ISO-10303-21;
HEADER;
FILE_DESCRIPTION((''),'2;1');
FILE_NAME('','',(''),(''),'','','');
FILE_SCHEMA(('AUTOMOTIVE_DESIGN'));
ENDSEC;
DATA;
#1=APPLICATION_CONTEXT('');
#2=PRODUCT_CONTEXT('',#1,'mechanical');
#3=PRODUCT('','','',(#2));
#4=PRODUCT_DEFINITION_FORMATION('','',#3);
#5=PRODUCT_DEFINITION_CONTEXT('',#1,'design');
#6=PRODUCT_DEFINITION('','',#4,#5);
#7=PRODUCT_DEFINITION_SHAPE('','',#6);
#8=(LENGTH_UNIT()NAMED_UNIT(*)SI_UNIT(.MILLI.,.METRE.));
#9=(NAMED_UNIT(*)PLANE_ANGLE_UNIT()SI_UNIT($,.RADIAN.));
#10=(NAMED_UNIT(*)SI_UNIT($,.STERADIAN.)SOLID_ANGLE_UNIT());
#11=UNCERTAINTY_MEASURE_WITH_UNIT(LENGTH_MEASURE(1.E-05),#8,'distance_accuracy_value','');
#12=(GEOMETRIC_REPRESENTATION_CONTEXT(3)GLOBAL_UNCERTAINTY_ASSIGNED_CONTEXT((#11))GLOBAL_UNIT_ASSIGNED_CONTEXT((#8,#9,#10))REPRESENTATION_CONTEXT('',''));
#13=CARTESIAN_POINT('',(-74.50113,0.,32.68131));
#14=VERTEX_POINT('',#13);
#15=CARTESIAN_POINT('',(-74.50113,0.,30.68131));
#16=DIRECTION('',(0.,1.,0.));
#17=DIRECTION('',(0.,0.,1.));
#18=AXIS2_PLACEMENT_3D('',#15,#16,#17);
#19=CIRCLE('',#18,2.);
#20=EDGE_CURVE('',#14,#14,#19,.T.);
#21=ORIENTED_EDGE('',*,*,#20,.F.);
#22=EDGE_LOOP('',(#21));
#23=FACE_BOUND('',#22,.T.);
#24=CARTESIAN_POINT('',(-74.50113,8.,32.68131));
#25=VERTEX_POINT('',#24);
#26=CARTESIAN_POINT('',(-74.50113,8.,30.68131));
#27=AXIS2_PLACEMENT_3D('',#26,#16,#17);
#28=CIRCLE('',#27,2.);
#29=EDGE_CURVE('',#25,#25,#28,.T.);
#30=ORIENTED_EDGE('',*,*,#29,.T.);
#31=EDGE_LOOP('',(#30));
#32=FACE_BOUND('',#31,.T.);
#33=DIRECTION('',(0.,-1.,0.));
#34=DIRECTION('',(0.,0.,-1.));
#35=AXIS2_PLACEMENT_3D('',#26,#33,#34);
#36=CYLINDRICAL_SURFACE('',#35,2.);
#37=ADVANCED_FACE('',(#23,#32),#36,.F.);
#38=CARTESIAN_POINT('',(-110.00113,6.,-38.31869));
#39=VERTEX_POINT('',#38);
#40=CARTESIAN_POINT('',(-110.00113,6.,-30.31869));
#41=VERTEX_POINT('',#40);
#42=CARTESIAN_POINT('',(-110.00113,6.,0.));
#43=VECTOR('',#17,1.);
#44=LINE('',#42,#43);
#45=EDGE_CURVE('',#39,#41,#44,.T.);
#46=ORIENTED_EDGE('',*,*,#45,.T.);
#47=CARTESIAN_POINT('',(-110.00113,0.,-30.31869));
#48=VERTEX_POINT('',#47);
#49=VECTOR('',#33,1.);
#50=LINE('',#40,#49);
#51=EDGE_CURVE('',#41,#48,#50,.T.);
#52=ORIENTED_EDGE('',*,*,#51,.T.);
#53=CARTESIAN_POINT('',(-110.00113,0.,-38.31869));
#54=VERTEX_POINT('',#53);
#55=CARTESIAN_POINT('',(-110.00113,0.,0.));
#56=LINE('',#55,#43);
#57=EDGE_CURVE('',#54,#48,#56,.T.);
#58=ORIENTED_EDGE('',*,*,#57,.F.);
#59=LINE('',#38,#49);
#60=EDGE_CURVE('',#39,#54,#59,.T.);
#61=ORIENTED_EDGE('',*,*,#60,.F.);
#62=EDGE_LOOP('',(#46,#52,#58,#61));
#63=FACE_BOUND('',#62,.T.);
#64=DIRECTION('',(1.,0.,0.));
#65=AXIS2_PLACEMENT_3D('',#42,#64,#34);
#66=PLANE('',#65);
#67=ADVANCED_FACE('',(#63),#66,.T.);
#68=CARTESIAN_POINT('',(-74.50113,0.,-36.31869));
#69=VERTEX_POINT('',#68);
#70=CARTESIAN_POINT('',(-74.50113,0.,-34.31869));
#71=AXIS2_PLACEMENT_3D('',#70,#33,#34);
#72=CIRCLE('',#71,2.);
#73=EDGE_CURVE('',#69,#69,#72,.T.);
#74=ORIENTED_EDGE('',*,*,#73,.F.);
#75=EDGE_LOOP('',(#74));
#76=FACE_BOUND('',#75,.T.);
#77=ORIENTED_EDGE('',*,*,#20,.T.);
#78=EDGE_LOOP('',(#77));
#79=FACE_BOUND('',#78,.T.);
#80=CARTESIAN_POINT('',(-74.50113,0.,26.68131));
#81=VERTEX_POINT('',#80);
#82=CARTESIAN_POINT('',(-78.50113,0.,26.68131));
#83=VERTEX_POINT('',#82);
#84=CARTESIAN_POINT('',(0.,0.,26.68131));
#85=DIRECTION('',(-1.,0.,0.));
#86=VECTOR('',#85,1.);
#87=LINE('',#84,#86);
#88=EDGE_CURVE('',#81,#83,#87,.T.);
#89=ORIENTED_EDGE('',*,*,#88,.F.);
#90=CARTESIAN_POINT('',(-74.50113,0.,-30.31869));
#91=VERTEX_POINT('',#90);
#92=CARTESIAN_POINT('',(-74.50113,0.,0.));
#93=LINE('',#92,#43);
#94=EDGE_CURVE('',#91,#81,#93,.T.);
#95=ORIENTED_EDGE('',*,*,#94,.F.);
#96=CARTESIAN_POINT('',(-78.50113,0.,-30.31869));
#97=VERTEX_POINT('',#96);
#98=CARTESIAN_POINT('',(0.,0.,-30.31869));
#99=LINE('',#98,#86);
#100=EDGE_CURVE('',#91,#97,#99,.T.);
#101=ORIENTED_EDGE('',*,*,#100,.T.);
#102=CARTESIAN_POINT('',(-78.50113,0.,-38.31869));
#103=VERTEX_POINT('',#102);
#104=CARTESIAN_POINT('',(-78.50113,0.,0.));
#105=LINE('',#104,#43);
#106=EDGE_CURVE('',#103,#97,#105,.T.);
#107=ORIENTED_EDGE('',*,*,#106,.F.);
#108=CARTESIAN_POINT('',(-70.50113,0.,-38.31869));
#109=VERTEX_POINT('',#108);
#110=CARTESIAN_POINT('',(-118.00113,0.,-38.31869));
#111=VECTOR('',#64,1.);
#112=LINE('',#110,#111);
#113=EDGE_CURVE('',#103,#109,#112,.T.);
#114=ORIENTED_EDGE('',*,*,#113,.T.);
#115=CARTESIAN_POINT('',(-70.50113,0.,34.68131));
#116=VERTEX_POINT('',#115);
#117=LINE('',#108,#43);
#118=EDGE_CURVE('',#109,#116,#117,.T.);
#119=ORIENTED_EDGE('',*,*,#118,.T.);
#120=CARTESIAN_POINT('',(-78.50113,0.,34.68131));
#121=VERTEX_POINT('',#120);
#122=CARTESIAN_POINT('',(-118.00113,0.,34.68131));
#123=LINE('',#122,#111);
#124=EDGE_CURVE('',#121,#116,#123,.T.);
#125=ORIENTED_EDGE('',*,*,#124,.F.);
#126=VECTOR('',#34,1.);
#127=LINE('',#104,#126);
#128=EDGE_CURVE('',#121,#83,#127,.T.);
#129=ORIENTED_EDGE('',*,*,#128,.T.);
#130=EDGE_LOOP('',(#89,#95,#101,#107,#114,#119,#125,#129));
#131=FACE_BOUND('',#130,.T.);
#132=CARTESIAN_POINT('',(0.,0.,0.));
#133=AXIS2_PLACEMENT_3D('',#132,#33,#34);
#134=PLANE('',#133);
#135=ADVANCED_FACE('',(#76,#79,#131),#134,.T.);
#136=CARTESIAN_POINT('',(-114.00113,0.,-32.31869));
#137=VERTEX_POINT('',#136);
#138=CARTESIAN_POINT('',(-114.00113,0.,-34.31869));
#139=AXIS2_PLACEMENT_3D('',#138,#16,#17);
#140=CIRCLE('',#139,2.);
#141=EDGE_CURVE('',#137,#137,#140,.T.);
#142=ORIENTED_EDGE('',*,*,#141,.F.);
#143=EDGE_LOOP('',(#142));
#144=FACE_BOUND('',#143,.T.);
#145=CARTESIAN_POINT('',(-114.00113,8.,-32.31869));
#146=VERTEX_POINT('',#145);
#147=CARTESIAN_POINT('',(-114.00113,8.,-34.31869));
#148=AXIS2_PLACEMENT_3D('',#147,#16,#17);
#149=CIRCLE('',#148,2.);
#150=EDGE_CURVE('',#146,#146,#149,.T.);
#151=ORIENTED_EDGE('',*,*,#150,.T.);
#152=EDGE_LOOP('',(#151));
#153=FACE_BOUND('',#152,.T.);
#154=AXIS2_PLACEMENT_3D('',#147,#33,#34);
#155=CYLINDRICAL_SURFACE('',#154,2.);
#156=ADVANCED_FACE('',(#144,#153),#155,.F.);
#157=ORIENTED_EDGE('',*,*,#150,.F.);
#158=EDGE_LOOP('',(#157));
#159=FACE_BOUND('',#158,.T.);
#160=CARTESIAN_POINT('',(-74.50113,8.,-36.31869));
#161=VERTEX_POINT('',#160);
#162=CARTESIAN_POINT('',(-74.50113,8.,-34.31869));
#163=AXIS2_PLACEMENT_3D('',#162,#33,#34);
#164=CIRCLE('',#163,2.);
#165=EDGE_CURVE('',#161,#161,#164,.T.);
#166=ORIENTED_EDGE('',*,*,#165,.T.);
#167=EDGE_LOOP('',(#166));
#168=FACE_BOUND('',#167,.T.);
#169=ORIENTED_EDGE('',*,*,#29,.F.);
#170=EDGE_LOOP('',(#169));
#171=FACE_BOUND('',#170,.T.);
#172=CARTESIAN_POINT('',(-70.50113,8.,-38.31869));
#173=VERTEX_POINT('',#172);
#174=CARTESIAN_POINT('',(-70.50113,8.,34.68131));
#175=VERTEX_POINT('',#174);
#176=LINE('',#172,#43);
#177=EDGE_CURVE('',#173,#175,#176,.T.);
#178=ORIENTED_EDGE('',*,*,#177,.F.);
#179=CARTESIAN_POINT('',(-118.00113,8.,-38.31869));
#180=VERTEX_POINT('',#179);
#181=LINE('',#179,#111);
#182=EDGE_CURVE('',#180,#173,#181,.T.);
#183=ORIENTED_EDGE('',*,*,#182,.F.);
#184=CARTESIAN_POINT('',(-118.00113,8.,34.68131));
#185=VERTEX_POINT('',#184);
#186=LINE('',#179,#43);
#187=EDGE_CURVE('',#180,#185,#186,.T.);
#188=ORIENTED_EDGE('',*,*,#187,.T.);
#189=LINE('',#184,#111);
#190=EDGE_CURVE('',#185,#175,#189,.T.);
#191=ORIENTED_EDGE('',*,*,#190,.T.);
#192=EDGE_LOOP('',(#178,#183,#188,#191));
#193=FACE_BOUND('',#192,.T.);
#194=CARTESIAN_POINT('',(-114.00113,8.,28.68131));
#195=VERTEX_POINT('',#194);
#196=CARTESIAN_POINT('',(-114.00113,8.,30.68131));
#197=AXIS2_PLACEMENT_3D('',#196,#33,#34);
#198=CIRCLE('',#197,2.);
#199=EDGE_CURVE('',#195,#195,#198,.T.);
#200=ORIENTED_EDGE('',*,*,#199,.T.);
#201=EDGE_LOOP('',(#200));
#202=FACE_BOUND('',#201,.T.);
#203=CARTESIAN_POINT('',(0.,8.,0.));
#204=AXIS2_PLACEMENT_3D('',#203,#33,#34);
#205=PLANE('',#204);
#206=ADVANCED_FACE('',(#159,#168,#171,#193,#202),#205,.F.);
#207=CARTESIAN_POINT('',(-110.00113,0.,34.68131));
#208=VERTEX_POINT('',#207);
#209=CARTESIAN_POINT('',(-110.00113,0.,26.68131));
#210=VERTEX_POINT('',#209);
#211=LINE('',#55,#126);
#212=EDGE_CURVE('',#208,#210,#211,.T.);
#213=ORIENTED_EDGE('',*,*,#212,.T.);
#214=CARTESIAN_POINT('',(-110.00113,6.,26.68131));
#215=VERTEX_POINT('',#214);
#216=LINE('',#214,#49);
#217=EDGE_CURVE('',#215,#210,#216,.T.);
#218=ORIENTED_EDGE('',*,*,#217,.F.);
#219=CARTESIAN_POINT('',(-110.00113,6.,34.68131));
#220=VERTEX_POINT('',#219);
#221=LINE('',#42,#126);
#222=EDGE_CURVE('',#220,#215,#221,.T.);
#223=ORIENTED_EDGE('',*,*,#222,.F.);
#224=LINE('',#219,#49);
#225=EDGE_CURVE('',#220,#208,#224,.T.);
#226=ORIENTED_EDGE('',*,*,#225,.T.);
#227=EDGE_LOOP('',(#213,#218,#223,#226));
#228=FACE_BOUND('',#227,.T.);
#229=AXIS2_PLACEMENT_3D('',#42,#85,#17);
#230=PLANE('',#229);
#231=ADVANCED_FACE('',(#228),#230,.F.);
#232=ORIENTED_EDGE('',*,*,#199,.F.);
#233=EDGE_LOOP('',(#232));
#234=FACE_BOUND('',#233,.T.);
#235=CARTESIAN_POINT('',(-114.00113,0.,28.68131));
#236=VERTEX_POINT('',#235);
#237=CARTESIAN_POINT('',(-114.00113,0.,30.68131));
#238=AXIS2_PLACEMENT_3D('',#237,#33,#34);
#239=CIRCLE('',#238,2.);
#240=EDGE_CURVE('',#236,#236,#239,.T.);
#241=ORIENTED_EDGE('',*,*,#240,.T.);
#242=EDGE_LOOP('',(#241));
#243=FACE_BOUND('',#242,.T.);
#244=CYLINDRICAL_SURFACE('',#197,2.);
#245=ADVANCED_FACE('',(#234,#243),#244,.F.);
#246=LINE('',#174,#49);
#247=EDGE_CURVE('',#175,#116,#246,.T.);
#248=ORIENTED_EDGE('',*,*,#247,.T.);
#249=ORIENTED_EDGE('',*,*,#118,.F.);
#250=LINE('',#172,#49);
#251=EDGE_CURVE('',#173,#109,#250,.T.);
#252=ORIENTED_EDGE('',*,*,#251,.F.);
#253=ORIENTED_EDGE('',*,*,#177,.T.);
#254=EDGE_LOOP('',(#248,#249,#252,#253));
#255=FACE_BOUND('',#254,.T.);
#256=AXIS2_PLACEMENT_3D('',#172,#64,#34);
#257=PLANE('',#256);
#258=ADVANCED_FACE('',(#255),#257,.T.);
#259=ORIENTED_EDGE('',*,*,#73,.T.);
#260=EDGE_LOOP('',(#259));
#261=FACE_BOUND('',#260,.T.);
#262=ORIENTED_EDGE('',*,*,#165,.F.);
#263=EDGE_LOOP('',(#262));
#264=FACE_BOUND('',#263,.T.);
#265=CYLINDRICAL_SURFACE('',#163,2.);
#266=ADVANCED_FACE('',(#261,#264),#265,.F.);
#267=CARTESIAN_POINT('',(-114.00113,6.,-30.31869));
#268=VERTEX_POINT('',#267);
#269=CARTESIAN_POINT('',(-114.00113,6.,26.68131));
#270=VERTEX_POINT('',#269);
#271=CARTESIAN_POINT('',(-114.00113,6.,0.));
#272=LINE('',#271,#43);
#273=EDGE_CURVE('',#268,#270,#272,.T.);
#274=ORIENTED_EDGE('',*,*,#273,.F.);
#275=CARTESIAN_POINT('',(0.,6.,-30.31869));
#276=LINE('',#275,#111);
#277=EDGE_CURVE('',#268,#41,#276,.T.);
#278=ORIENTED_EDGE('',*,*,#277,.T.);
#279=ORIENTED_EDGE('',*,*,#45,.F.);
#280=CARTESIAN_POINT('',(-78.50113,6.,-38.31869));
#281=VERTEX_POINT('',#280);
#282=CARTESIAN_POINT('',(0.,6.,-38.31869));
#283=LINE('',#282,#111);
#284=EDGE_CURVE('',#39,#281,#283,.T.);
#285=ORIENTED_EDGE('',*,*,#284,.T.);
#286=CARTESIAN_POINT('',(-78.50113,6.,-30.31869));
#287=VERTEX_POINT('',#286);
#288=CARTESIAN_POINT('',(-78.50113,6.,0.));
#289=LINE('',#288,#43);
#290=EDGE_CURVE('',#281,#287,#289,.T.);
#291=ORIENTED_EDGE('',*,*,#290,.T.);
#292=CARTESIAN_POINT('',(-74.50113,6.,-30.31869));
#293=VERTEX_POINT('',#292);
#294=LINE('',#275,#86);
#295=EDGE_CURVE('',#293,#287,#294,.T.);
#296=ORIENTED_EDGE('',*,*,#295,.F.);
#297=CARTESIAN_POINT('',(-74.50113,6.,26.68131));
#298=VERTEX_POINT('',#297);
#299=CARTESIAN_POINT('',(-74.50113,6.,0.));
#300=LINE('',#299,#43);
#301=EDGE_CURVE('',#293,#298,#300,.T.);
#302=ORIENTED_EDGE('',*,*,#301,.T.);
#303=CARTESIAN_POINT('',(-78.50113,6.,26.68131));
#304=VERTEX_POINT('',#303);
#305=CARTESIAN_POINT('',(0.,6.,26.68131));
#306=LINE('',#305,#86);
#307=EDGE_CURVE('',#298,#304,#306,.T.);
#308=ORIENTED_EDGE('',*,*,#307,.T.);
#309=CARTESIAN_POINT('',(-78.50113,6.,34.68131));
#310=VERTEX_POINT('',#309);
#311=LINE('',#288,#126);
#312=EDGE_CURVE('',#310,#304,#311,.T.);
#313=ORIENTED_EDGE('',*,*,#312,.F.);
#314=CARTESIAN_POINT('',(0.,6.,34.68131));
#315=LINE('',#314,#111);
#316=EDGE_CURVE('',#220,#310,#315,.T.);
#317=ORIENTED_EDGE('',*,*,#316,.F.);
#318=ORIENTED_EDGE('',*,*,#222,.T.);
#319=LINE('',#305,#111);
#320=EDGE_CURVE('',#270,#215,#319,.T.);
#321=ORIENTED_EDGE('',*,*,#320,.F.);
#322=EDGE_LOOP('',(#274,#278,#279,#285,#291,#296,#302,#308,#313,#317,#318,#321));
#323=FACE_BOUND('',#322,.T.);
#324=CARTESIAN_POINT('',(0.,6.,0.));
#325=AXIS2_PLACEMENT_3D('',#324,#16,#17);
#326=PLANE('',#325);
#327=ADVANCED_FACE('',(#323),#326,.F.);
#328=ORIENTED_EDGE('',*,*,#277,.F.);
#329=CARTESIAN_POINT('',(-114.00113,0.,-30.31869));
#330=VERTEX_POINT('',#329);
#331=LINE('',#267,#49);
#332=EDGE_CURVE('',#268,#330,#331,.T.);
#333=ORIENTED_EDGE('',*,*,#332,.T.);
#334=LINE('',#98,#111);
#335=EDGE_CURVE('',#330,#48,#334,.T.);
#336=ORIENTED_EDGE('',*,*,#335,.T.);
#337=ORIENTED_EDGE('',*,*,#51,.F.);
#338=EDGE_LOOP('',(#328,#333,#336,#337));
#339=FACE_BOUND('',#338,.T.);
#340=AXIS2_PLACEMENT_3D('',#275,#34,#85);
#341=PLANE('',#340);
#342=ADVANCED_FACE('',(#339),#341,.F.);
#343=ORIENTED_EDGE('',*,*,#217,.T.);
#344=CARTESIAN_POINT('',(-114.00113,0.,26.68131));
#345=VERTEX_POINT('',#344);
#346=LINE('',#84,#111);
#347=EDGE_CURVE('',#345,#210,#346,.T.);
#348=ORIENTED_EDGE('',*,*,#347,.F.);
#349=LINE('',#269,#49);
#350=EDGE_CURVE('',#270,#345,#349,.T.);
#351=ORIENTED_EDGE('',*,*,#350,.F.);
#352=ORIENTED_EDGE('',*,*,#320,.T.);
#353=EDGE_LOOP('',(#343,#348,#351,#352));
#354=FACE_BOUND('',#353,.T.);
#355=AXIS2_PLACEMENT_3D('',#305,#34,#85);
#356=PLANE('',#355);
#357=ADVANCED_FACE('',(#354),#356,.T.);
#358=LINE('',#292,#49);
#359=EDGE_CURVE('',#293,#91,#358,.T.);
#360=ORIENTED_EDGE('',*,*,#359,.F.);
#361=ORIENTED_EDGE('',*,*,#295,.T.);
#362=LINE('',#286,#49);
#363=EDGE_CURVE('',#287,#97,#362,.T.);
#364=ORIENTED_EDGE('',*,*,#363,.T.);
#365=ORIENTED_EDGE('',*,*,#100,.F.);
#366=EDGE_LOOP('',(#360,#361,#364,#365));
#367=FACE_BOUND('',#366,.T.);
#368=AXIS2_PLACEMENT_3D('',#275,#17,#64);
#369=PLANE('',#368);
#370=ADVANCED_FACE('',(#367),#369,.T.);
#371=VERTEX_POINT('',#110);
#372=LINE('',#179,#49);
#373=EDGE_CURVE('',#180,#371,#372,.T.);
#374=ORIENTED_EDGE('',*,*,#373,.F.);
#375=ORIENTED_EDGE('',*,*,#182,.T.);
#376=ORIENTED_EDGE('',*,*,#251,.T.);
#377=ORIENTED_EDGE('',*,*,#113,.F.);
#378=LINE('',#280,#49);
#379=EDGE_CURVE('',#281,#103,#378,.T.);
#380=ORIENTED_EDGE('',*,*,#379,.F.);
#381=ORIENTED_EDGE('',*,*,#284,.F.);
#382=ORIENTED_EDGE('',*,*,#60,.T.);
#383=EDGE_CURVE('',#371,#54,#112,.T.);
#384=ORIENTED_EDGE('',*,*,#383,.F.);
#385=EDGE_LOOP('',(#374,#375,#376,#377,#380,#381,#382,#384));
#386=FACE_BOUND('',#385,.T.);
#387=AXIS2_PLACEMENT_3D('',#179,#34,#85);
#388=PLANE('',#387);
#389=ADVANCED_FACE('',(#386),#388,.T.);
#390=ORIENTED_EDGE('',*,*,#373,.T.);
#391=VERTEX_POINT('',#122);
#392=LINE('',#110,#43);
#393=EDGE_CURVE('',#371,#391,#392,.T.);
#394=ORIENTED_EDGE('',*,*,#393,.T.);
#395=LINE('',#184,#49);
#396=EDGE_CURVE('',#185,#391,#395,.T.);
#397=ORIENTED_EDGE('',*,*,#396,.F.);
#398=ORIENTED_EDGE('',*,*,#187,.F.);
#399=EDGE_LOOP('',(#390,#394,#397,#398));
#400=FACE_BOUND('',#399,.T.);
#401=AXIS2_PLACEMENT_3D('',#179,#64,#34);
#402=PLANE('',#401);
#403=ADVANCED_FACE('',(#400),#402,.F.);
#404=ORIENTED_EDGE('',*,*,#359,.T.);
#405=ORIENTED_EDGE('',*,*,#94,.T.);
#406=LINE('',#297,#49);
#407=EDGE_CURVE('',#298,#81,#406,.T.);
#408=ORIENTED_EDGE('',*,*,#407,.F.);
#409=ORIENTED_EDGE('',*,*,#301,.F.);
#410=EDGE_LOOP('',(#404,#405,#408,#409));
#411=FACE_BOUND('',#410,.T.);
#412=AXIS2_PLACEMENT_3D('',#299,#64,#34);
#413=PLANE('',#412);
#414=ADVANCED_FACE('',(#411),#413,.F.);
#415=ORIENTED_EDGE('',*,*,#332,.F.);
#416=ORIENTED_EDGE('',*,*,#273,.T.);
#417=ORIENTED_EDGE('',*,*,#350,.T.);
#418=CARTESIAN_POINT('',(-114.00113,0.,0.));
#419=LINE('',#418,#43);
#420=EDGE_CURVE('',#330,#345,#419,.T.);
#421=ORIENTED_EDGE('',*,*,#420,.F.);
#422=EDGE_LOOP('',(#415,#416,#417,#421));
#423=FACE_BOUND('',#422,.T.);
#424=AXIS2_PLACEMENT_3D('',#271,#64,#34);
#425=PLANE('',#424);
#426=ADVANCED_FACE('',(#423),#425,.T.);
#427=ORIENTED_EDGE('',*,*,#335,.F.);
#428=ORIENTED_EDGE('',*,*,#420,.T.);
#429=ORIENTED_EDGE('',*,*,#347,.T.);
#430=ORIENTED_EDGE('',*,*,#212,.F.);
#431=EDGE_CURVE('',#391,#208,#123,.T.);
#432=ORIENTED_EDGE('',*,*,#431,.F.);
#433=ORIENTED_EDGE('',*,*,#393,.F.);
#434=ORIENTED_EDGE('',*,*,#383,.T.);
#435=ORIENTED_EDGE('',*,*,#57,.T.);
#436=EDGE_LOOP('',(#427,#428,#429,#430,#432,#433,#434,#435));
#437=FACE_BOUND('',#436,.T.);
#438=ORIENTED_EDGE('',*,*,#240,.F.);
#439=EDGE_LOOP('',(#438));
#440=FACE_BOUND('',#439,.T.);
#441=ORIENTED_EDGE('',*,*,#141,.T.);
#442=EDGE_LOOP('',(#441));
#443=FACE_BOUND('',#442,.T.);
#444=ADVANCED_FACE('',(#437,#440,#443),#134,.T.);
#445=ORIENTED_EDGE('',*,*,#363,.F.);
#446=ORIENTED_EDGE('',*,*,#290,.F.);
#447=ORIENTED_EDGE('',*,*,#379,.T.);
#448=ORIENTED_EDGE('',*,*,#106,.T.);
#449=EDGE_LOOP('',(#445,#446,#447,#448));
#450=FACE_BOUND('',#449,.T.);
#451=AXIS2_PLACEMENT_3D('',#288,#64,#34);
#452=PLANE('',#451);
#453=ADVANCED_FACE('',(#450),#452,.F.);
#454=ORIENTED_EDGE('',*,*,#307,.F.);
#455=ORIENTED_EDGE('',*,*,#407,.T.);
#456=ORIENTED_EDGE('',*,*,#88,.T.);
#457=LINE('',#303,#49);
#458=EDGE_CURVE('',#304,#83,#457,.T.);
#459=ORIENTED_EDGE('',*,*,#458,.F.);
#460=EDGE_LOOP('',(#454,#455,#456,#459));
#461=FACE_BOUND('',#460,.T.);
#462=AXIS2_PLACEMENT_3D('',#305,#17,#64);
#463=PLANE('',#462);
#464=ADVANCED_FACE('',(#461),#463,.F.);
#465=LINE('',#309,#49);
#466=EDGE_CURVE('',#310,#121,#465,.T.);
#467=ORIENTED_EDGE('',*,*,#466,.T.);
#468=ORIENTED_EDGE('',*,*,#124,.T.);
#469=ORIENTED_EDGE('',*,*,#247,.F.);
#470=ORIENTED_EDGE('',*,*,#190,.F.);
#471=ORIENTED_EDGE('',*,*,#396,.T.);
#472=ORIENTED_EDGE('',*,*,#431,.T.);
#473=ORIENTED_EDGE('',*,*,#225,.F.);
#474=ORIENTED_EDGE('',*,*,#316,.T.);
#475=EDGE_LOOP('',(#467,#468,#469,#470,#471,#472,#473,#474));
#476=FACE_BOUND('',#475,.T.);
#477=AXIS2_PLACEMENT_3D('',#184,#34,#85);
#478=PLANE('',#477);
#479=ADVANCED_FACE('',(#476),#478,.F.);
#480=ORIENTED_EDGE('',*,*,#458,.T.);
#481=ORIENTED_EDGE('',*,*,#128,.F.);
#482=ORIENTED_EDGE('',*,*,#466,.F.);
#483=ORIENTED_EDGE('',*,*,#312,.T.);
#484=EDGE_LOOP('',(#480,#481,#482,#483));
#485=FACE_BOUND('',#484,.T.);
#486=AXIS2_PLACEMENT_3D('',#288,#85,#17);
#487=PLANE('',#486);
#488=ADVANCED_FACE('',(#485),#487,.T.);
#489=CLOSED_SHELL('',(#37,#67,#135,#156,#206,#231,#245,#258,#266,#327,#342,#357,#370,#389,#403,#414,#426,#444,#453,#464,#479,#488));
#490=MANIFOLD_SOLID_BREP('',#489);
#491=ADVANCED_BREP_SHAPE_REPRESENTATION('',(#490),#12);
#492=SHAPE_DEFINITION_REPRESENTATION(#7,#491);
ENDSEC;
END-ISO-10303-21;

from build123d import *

# Parameters (mm, degrees)
SKETCH1_W           = 47.5
SKETCH1_H           = 73
BOSS_EXTRUDE2_DEPTH = 8
CUT_EXTRUDE7_DEPTH  = 6
SKETCH1_9_R         = 2
CUT_EXTRUDE10_DEPTH = 125.324529963


with BuildPart() as part:
    # Sketch1 → Boss-Extrude2 (new body)
    with BuildSketch(Plane(origin=(0, 0, 0), x_dir=(1, 0, 0), z_dir=(0, 1, 0))):
        with Locations((-94.251130157, 1.818690378)):
            Rectangle(SKETCH1_W, SKETCH1_H)
    extrude(amount=BOSS_EXTRUDE2_DEPTH)

    # Sketch1<8> → Cut-Extrude7 (cut)
    with BuildSketch(Plane(origin=(0, 0, 0), x_dir=(1, 0, 0), z_dir=(0, 1, 0))):
        Polygon((-110.001130157, 38.318690378), (-110.001130157, 30.318690378), (-114.001130157, 30.318690378), (-114.001130157, -26.681309622), (-110.001130157, -26.681309622), (-110.001130157, -34.681309622), (-78.501130157, -34.681309622), (-78.501130157, -26.681309622), (-74.501130157, -26.681309622), (-74.501130157, 30.318690378), (-78.501130157, 30.318690378), (-78.501130157, 38.318690378), align=None)
    extrude(amount=CUT_EXTRUDE7_DEPTH, mode=Mode.SUBTRACT)

    # Sketch1<9> → Cut-Extrude10 (cut, through all)
    with BuildSketch(Plane(origin=(0, 0, 0), x_dir=(1, 0, 0), z_dir=(0, 1, 0))):
        with Locations((-114.001130157, 34.318690378)):
            Circle(SKETCH1_9_R)
        with Locations((-74.501130157, 34.318690378)):
            Circle(SKETCH1_9_R)
        with Locations((-114.001130157, -30.681309622)):
            Circle(SKETCH1_9_R)
        with Locations((-74.501130157, -30.681309622)):
            Circle(SKETCH1_9_R)
    extrude(amount=CUT_EXTRUDE10_DEPTH, mode=Mode.SUBTRACT)


solid = part.part
